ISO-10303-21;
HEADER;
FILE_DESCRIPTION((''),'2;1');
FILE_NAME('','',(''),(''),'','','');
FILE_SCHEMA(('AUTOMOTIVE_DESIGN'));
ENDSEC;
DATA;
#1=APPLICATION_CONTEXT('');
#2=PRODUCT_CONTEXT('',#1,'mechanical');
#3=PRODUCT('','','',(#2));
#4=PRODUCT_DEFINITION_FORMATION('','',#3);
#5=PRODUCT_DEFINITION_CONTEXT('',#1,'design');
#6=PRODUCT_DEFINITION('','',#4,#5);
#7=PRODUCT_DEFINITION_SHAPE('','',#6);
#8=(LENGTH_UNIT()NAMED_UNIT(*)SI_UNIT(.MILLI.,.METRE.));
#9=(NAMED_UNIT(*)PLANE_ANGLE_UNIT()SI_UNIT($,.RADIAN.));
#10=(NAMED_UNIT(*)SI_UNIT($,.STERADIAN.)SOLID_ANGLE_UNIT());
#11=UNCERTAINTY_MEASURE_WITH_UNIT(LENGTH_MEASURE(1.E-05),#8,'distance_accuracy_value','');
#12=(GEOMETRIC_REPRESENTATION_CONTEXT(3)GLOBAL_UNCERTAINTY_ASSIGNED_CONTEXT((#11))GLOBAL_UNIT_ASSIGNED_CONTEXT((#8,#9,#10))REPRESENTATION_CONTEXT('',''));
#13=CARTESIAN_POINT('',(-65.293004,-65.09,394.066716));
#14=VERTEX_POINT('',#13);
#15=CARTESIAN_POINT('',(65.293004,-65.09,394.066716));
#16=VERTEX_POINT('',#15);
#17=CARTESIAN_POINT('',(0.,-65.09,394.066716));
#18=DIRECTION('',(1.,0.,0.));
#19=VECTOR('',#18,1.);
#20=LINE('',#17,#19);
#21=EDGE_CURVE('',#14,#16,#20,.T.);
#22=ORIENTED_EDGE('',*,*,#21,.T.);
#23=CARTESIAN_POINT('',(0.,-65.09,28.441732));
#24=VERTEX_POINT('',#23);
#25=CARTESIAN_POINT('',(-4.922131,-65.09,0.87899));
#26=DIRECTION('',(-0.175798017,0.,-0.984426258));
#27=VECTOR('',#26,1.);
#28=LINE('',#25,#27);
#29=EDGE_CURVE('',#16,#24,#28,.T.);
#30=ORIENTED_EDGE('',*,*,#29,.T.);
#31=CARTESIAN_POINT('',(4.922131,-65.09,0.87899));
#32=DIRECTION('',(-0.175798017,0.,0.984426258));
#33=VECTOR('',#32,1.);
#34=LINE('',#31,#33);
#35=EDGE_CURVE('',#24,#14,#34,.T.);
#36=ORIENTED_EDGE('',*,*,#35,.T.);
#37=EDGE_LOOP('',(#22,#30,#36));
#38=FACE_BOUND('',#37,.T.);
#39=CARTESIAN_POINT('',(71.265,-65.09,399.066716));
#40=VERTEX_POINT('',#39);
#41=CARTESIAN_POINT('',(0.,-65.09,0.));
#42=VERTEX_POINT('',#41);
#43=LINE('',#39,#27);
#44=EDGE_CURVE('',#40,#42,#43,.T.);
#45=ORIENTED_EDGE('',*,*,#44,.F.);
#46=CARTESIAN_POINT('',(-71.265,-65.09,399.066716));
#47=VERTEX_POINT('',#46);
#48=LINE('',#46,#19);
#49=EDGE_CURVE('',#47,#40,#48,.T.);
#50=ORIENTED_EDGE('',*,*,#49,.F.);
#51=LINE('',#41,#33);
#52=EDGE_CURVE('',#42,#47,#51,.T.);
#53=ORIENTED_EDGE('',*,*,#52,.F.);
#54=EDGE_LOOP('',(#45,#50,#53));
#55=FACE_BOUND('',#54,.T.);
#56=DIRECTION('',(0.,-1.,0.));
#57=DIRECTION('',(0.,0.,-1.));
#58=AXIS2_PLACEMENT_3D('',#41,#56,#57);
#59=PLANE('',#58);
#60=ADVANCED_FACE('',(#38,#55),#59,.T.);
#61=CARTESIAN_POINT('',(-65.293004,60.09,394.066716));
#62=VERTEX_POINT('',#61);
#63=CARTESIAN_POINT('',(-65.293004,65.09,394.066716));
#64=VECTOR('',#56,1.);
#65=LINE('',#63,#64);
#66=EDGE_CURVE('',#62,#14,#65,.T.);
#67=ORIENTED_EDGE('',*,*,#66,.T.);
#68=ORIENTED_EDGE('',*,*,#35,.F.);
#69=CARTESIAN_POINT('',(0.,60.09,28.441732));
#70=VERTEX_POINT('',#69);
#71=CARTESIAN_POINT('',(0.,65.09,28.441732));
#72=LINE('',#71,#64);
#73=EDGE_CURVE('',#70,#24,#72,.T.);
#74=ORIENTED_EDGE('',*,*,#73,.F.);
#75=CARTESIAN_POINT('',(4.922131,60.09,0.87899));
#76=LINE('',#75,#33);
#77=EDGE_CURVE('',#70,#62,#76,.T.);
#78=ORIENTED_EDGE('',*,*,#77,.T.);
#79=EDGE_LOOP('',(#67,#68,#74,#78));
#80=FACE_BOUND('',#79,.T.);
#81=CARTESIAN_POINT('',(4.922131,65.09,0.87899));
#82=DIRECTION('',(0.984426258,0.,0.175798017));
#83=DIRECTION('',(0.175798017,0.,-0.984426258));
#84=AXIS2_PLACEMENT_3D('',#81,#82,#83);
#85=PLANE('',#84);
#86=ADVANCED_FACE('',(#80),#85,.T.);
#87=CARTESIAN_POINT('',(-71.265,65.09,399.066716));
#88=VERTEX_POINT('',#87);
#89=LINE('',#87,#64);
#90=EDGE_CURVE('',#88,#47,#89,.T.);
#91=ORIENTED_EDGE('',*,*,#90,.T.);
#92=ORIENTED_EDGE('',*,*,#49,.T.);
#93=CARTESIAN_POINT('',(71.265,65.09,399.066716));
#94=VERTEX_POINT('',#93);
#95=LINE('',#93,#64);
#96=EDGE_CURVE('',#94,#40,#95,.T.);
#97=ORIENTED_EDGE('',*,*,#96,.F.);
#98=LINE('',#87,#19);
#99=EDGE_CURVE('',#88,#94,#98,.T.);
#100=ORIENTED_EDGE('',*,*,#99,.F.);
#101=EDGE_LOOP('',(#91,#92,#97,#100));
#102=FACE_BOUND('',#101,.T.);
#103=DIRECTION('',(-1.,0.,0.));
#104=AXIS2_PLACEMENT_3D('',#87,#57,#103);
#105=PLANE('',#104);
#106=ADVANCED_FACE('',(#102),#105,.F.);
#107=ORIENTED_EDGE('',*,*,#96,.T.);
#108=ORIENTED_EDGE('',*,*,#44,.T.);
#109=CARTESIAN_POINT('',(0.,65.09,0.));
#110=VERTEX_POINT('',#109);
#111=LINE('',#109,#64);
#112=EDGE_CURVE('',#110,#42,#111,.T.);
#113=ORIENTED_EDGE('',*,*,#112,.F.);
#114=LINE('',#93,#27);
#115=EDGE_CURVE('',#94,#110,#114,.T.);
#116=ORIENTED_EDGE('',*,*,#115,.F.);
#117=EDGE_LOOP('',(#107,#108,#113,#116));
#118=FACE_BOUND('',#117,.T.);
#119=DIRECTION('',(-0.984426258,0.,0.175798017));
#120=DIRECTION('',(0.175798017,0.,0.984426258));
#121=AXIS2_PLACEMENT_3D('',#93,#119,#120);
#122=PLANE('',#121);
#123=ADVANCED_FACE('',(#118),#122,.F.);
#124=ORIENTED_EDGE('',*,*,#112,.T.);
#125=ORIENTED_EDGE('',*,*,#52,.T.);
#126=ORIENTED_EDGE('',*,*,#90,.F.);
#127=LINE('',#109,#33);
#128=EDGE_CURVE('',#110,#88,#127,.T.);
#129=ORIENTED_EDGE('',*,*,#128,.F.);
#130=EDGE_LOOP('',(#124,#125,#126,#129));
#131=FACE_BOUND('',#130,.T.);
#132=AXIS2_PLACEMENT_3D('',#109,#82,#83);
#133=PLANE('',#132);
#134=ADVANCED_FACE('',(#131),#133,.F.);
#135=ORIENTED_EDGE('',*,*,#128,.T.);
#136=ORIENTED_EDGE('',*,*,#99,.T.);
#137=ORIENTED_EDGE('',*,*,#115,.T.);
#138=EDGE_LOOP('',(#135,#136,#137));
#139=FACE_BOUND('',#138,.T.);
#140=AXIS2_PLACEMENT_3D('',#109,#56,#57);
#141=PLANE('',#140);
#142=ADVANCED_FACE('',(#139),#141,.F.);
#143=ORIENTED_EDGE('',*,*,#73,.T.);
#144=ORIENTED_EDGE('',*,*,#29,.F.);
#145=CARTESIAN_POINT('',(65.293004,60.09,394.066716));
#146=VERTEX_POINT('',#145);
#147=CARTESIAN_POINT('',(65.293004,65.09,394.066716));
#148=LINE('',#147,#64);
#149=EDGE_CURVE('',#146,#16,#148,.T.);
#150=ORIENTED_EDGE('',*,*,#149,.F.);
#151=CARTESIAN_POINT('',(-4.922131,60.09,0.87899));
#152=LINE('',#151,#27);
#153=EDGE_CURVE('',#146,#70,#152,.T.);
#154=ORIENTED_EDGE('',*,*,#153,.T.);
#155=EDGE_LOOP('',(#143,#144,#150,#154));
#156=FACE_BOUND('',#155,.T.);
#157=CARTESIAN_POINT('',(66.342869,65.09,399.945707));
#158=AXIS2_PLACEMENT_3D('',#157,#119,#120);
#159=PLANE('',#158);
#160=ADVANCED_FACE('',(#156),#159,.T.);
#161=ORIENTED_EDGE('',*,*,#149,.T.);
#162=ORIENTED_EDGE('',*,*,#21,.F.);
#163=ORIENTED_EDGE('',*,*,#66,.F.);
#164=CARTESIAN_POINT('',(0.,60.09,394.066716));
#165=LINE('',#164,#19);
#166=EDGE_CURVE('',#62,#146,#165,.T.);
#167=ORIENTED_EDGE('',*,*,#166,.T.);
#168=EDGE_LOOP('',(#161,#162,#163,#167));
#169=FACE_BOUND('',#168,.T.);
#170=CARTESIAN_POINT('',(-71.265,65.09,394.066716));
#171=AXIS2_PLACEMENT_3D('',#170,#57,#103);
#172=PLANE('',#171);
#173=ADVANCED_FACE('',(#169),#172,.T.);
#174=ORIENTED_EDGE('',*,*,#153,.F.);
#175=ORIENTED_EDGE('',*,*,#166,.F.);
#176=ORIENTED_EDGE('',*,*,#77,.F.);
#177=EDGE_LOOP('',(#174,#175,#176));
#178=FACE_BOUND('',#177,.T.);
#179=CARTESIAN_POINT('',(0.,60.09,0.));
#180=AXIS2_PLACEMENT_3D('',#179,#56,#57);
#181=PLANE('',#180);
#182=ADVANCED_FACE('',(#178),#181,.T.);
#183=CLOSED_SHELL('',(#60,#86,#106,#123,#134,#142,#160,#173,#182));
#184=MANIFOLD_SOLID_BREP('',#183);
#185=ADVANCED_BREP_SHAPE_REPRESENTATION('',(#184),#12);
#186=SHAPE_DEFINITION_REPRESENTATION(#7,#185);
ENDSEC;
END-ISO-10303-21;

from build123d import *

# Parameters (mm, degrees)
MAIN_BLOCK_EXTRUDE_DEPTH = 65.09
SHELL1_T                 = -5


with BuildPart() as part:
    # Sketch1 → Main block extrude (new, symmetric)
    with BuildSketch(Plane(origin=(0, 0, 0), x_dir=(1, 0, 0), z_dir=(0, 1, 0))):
        Polygon((0, 0), (-71.265, -399.066716446), (71.265, -399.066716446), align=None)
    extrude(amount=MAIN_BLOCK_EXTRUDE_DEPTH, both=True)

    # Shell1
    shell1_openings = [part.faces().sort_by_distance(p)[0] for p in [
        (0, -65.09, 266.044477631),
    ]]
    offset(amount=SHELL1_T, openings=shell1_openings, kind=Kind.INTERSECTION)


solid = part.part
